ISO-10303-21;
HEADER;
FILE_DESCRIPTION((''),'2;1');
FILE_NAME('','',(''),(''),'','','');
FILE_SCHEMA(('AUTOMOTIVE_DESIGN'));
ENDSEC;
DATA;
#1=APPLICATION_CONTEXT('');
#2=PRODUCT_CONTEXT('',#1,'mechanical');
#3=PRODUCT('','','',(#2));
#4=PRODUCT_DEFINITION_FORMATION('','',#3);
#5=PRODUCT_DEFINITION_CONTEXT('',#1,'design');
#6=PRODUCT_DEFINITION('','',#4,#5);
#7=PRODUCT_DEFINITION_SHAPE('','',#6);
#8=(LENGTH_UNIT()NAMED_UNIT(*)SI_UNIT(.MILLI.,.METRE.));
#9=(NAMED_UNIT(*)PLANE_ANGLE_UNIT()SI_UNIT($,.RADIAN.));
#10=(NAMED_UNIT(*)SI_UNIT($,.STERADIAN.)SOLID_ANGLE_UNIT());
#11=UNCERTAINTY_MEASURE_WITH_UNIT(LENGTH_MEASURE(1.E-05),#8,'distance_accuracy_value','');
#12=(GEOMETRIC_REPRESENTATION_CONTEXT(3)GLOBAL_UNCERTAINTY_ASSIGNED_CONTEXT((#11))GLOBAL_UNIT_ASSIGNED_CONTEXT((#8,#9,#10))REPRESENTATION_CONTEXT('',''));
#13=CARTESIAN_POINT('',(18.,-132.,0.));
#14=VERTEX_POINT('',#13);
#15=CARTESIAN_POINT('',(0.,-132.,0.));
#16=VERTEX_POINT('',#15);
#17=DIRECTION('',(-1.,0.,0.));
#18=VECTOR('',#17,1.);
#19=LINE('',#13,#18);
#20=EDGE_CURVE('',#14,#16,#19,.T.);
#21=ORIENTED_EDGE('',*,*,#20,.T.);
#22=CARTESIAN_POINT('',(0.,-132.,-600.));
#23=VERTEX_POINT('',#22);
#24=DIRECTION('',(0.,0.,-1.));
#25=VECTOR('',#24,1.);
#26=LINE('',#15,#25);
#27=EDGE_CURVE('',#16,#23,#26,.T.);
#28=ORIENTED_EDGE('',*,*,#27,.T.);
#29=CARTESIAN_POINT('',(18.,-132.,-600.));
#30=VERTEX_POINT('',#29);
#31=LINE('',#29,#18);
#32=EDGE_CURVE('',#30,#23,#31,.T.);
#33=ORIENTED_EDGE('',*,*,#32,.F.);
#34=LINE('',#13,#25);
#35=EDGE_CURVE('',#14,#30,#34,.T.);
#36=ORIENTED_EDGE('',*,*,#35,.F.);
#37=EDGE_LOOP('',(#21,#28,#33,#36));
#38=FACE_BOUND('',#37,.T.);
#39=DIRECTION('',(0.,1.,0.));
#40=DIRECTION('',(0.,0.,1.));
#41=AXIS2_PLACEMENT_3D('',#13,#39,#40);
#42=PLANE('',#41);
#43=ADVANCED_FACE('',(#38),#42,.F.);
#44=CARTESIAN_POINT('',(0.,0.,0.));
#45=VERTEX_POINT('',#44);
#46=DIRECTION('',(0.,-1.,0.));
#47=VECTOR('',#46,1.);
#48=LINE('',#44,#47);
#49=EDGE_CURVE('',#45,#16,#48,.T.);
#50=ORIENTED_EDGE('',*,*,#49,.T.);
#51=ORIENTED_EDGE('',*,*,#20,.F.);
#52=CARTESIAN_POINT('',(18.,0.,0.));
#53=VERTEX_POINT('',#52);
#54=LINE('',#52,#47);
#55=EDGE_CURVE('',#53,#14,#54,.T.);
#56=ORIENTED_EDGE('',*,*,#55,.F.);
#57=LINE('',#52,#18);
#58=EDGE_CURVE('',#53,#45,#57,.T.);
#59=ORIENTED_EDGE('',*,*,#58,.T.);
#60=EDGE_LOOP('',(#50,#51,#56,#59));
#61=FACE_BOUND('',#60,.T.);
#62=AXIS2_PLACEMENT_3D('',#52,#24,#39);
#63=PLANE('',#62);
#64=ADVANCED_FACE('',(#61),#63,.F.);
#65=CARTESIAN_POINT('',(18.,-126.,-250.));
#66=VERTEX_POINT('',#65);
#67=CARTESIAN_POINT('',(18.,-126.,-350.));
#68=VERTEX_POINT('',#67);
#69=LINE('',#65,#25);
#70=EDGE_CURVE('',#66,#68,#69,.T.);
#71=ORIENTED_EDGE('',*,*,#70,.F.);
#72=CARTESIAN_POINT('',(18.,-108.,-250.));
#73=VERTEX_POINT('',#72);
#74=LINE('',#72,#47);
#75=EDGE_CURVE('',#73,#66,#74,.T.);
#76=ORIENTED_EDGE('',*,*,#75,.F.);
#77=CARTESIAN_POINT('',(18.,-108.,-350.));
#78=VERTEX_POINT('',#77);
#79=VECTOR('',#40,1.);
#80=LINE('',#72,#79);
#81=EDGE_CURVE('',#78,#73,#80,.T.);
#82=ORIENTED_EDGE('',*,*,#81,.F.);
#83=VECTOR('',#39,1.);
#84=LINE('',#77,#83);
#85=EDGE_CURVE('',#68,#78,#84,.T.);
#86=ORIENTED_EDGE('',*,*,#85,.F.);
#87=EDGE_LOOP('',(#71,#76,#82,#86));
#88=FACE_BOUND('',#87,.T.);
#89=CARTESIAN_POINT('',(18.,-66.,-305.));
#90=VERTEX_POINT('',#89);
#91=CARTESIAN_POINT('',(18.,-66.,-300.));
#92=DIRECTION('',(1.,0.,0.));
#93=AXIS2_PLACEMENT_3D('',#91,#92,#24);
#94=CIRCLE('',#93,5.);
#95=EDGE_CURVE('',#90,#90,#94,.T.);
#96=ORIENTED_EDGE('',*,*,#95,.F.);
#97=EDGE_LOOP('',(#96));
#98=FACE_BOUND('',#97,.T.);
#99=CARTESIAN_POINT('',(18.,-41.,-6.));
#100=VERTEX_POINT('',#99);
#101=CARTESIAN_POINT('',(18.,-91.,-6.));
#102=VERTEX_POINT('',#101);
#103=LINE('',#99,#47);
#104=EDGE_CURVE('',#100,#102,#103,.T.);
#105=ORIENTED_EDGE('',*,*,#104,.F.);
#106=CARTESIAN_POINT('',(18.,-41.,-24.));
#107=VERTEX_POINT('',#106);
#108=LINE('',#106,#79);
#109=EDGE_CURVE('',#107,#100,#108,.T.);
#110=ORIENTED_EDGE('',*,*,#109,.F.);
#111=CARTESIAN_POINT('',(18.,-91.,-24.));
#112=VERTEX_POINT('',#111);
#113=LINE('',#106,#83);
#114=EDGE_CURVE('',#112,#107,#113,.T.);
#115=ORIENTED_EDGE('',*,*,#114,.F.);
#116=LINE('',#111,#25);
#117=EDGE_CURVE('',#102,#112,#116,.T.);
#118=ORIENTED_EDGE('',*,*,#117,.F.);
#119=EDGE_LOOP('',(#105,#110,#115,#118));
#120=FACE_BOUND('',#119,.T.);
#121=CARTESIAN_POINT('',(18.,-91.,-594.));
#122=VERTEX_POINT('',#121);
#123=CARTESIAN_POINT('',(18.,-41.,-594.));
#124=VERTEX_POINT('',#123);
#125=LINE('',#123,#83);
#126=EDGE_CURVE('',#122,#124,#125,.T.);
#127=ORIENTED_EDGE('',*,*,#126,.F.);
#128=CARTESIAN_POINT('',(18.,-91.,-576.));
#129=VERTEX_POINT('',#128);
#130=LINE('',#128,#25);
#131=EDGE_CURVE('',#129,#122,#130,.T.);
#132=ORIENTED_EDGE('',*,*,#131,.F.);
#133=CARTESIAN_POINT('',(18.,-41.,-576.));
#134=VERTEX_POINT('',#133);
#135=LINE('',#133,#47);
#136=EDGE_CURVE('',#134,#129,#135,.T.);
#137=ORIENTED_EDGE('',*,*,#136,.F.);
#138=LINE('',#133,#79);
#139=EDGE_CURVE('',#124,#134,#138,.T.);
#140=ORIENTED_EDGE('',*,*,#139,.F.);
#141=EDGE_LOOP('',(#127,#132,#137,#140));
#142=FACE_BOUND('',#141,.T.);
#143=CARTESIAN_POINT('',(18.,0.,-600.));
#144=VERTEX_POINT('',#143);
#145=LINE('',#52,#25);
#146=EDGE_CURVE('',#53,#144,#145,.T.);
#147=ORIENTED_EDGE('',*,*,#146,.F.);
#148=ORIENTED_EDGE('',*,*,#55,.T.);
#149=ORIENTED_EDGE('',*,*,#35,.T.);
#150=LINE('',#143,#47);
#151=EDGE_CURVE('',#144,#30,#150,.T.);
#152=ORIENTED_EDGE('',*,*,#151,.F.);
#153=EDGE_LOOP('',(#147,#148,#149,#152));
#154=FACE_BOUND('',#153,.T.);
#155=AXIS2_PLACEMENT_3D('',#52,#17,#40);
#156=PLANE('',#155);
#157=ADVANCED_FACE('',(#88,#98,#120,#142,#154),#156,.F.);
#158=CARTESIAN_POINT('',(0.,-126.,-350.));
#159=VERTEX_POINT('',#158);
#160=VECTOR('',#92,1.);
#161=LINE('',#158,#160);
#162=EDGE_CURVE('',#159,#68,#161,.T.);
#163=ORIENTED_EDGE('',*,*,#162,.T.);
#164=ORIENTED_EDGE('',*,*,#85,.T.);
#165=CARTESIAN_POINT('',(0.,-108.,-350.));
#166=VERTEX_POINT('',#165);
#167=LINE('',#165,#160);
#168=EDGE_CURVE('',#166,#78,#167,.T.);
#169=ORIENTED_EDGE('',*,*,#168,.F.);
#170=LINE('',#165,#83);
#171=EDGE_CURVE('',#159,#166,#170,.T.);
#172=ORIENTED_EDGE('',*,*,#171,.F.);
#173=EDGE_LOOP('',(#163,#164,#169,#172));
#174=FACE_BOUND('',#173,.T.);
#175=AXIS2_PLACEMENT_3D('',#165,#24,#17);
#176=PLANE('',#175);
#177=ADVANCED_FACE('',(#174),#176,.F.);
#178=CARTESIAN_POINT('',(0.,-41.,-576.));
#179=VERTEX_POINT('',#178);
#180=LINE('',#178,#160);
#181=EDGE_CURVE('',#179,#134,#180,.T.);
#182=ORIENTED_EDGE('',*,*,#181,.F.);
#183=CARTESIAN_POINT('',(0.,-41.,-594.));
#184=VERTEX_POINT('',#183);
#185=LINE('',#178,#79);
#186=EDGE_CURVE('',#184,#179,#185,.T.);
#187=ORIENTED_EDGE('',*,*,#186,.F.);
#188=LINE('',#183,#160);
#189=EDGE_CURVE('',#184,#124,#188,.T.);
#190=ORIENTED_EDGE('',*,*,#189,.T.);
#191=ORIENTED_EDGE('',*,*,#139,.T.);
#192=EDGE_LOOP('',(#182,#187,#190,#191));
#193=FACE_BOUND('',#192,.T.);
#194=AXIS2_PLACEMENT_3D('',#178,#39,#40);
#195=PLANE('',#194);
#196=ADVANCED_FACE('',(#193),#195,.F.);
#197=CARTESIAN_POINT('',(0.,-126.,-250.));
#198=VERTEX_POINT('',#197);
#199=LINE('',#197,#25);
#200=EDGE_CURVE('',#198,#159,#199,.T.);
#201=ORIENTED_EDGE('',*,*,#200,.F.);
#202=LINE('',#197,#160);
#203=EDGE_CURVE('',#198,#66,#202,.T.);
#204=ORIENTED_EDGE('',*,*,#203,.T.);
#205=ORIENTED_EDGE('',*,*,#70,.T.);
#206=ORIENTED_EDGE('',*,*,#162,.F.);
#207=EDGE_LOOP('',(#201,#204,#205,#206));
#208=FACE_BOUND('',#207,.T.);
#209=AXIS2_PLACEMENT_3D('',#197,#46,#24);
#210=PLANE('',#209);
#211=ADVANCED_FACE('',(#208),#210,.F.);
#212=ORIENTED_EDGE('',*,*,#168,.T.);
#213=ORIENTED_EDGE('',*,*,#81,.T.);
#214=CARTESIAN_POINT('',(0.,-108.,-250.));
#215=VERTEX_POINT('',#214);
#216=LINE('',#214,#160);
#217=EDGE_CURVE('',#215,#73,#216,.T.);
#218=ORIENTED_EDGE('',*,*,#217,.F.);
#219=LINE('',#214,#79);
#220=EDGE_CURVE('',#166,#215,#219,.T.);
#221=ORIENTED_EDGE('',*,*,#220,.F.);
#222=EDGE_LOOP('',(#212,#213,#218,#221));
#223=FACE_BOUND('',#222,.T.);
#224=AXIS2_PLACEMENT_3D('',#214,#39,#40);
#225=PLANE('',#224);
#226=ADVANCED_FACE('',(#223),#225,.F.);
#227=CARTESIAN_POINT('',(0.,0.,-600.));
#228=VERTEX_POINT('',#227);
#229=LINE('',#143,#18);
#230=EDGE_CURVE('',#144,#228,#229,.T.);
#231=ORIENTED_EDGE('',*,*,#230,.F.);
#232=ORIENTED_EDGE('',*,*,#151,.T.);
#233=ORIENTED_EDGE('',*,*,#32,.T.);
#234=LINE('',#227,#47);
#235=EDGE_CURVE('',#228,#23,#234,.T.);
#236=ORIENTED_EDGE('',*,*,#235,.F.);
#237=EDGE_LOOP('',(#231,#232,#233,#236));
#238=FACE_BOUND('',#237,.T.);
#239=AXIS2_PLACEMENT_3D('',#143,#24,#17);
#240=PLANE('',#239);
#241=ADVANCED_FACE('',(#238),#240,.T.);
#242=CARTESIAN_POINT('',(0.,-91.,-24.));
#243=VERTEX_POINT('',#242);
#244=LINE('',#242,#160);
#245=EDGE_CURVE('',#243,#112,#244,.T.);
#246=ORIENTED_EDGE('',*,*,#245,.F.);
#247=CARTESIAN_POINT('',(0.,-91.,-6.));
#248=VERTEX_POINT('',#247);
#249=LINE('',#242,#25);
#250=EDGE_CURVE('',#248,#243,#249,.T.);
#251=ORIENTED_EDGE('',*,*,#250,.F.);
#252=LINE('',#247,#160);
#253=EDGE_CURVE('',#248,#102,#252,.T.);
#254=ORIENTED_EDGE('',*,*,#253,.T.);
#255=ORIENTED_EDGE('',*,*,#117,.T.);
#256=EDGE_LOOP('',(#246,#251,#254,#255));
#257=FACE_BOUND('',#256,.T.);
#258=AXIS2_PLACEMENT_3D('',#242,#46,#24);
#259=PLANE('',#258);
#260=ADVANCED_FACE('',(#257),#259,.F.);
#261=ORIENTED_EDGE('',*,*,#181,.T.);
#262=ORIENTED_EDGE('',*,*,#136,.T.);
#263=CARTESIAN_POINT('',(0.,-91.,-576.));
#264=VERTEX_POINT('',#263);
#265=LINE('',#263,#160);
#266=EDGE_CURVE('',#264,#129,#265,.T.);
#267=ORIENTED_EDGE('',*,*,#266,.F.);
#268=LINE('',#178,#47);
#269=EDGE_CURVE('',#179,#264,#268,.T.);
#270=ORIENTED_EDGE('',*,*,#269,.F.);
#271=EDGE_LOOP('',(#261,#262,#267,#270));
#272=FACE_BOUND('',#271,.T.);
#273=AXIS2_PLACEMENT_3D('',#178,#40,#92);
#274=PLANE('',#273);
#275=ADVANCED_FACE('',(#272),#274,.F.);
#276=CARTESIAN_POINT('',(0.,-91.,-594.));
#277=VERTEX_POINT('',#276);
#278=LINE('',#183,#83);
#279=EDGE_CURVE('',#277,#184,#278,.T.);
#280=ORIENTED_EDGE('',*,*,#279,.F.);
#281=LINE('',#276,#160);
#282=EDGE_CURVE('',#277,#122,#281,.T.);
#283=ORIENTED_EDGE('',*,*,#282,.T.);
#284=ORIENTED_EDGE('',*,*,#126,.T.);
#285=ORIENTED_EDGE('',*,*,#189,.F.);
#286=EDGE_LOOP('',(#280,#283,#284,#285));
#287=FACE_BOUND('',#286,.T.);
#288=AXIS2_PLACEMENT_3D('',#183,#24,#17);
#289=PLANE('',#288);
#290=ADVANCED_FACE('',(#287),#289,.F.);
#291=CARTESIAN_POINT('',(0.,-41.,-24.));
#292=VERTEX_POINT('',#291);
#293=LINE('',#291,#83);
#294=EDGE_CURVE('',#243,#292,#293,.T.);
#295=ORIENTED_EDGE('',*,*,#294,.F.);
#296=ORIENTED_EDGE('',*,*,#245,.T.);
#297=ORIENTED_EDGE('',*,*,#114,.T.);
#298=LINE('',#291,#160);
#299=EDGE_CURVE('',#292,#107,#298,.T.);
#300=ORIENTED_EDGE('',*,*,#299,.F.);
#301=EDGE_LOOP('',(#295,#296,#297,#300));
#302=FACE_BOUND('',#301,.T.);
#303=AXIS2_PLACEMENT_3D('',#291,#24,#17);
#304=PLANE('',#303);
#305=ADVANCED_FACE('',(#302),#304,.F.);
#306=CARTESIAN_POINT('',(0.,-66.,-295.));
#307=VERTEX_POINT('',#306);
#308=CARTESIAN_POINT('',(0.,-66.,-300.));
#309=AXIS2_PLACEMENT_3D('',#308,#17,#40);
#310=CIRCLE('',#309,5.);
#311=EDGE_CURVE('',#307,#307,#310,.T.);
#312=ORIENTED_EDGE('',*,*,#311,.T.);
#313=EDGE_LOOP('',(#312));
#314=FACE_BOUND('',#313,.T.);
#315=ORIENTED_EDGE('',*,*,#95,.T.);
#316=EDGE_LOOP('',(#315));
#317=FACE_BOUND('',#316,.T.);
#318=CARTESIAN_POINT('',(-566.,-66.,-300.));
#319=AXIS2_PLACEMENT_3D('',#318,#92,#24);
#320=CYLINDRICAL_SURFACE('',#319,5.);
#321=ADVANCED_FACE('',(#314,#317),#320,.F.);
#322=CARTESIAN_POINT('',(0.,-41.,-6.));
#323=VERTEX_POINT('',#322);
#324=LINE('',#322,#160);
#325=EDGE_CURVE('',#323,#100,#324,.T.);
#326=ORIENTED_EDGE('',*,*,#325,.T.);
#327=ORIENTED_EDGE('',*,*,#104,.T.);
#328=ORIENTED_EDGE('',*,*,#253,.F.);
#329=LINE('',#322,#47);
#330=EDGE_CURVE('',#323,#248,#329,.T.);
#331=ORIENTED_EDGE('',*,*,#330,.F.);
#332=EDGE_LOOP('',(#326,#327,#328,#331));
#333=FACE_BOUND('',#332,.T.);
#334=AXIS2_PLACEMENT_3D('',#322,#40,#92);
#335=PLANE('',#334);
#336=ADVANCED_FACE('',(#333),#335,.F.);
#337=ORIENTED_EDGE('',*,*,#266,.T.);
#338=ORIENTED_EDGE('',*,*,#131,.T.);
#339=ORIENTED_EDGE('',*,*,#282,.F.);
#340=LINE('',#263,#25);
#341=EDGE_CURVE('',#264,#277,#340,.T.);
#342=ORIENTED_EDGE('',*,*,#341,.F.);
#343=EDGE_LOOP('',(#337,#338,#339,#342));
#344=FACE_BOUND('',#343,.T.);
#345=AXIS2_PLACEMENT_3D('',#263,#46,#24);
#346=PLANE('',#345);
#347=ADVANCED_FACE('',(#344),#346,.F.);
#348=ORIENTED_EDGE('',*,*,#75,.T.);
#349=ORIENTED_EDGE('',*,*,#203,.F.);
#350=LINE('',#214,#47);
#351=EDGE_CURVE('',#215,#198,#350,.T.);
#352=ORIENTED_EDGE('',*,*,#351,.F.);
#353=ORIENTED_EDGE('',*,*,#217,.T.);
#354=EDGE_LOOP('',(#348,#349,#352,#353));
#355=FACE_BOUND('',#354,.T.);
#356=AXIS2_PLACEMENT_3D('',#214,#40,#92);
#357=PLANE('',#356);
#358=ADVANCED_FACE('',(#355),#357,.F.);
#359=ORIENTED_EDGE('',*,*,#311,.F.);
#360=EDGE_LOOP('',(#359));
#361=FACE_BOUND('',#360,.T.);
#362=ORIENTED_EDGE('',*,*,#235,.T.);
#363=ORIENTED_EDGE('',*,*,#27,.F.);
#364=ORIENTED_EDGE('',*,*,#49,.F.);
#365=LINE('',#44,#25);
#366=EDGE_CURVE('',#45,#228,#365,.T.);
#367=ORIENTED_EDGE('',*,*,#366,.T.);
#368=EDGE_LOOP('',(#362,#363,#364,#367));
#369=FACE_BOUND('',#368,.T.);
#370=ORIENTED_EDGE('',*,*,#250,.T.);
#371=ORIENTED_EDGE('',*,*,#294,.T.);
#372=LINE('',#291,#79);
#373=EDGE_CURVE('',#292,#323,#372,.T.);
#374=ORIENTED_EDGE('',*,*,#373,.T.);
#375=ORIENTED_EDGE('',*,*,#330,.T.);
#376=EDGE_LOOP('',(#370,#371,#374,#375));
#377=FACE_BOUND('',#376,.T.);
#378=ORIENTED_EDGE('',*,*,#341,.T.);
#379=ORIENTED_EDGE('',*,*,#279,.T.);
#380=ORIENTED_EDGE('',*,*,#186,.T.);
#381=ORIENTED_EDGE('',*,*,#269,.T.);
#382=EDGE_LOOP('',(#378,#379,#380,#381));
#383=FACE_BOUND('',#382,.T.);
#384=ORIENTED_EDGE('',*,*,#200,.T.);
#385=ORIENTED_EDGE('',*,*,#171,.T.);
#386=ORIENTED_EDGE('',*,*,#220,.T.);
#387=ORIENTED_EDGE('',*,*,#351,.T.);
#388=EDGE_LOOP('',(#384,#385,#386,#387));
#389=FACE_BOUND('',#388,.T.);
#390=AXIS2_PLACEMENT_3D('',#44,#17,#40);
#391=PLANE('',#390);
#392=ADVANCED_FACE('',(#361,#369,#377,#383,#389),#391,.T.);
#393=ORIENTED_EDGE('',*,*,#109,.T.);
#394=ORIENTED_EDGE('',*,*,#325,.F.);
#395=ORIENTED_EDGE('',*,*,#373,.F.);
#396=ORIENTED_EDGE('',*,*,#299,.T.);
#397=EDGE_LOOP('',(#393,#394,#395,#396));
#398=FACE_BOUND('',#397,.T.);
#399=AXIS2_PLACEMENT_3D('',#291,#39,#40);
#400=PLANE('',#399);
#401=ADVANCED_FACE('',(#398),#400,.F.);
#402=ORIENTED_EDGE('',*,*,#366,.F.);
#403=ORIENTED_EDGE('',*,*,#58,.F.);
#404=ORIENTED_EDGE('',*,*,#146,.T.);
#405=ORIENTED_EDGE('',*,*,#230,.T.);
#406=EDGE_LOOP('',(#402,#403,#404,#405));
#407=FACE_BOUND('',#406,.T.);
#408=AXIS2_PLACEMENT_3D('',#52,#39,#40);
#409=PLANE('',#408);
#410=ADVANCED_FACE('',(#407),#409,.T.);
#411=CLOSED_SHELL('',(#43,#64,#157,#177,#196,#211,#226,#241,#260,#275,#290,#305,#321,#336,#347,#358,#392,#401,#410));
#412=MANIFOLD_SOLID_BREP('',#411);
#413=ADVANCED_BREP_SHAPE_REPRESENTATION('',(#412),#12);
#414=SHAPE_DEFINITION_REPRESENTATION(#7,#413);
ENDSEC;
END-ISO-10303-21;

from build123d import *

# Parameters (mm, degrees)
SKETCH1_W           = 600
SKETCH1_H           = 132
BOSS_EXTRUDE1_DEPTH = 18
SKETCH3_R           = 5
CUT_EXTRUDE2_DEPTH  = 584
SKETCH4_W           = 18
SKETCH4_H           = 50
CUT_EXTRUDE4_DEPTH  = 615.612072774
SKETCH5_W           = 100
SKETCH5_H           = 18
CUT_EXTRUDE5_DEPTH  = 615.612072774


with BuildPart() as part:
    # Sketch1 → Boss-Extrude1 (new body)
    with BuildSketch(Plane(origin=(0, 0, 0), x_dir=(0, 0, -1), z_dir=(1, 0, 0))):
        with Locations((300, -66)):
            Rectangle(SKETCH1_W, SKETCH1_H)
    extrude(amount=BOSS_EXTRUDE1_DEPTH)

    # Sketch3 → Cut-Extrude2 (cut)
    with BuildSketch(Plane(origin=(18, 0, 0), x_dir=(0, 0, -1), z_dir=(1, 0, 0))):
        with Locations((300, -66)):
            Circle(SKETCH3_R)
    extrude(amount=-CUT_EXTRUDE2_DEPTH, mode=Mode.SUBTRACT)

    # Sketch4 → Cut-Extrude4 (cut, through all)
    with BuildSketch(Plane(origin=(18, 0, 0), x_dir=(0, 0, -1), z_dir=(1, 0, 0))):
        with Locations((585, -66)):
            Rectangle(SKETCH4_W, SKETCH4_H)
        with Locations((15, -66)):
            Rectangle(SKETCH4_W, SKETCH4_H)
    extrude(amount=-CUT_EXTRUDE4_DEPTH, mode=Mode.SUBTRACT)

    # Sketch5 → Cut-Extrude5 (cut, through all)
    with BuildSketch(Plane(origin=(18, 0, 0), x_dir=(0, 0, -1), z_dir=(1, 0, 0))):
        with Locations((300, -117)):
            Rectangle(SKETCH5_W, SKETCH5_H)
    extrude(amount=-CUT_EXTRUDE5_DEPTH, mode=Mode.SUBTRACT)


solid = part.part
